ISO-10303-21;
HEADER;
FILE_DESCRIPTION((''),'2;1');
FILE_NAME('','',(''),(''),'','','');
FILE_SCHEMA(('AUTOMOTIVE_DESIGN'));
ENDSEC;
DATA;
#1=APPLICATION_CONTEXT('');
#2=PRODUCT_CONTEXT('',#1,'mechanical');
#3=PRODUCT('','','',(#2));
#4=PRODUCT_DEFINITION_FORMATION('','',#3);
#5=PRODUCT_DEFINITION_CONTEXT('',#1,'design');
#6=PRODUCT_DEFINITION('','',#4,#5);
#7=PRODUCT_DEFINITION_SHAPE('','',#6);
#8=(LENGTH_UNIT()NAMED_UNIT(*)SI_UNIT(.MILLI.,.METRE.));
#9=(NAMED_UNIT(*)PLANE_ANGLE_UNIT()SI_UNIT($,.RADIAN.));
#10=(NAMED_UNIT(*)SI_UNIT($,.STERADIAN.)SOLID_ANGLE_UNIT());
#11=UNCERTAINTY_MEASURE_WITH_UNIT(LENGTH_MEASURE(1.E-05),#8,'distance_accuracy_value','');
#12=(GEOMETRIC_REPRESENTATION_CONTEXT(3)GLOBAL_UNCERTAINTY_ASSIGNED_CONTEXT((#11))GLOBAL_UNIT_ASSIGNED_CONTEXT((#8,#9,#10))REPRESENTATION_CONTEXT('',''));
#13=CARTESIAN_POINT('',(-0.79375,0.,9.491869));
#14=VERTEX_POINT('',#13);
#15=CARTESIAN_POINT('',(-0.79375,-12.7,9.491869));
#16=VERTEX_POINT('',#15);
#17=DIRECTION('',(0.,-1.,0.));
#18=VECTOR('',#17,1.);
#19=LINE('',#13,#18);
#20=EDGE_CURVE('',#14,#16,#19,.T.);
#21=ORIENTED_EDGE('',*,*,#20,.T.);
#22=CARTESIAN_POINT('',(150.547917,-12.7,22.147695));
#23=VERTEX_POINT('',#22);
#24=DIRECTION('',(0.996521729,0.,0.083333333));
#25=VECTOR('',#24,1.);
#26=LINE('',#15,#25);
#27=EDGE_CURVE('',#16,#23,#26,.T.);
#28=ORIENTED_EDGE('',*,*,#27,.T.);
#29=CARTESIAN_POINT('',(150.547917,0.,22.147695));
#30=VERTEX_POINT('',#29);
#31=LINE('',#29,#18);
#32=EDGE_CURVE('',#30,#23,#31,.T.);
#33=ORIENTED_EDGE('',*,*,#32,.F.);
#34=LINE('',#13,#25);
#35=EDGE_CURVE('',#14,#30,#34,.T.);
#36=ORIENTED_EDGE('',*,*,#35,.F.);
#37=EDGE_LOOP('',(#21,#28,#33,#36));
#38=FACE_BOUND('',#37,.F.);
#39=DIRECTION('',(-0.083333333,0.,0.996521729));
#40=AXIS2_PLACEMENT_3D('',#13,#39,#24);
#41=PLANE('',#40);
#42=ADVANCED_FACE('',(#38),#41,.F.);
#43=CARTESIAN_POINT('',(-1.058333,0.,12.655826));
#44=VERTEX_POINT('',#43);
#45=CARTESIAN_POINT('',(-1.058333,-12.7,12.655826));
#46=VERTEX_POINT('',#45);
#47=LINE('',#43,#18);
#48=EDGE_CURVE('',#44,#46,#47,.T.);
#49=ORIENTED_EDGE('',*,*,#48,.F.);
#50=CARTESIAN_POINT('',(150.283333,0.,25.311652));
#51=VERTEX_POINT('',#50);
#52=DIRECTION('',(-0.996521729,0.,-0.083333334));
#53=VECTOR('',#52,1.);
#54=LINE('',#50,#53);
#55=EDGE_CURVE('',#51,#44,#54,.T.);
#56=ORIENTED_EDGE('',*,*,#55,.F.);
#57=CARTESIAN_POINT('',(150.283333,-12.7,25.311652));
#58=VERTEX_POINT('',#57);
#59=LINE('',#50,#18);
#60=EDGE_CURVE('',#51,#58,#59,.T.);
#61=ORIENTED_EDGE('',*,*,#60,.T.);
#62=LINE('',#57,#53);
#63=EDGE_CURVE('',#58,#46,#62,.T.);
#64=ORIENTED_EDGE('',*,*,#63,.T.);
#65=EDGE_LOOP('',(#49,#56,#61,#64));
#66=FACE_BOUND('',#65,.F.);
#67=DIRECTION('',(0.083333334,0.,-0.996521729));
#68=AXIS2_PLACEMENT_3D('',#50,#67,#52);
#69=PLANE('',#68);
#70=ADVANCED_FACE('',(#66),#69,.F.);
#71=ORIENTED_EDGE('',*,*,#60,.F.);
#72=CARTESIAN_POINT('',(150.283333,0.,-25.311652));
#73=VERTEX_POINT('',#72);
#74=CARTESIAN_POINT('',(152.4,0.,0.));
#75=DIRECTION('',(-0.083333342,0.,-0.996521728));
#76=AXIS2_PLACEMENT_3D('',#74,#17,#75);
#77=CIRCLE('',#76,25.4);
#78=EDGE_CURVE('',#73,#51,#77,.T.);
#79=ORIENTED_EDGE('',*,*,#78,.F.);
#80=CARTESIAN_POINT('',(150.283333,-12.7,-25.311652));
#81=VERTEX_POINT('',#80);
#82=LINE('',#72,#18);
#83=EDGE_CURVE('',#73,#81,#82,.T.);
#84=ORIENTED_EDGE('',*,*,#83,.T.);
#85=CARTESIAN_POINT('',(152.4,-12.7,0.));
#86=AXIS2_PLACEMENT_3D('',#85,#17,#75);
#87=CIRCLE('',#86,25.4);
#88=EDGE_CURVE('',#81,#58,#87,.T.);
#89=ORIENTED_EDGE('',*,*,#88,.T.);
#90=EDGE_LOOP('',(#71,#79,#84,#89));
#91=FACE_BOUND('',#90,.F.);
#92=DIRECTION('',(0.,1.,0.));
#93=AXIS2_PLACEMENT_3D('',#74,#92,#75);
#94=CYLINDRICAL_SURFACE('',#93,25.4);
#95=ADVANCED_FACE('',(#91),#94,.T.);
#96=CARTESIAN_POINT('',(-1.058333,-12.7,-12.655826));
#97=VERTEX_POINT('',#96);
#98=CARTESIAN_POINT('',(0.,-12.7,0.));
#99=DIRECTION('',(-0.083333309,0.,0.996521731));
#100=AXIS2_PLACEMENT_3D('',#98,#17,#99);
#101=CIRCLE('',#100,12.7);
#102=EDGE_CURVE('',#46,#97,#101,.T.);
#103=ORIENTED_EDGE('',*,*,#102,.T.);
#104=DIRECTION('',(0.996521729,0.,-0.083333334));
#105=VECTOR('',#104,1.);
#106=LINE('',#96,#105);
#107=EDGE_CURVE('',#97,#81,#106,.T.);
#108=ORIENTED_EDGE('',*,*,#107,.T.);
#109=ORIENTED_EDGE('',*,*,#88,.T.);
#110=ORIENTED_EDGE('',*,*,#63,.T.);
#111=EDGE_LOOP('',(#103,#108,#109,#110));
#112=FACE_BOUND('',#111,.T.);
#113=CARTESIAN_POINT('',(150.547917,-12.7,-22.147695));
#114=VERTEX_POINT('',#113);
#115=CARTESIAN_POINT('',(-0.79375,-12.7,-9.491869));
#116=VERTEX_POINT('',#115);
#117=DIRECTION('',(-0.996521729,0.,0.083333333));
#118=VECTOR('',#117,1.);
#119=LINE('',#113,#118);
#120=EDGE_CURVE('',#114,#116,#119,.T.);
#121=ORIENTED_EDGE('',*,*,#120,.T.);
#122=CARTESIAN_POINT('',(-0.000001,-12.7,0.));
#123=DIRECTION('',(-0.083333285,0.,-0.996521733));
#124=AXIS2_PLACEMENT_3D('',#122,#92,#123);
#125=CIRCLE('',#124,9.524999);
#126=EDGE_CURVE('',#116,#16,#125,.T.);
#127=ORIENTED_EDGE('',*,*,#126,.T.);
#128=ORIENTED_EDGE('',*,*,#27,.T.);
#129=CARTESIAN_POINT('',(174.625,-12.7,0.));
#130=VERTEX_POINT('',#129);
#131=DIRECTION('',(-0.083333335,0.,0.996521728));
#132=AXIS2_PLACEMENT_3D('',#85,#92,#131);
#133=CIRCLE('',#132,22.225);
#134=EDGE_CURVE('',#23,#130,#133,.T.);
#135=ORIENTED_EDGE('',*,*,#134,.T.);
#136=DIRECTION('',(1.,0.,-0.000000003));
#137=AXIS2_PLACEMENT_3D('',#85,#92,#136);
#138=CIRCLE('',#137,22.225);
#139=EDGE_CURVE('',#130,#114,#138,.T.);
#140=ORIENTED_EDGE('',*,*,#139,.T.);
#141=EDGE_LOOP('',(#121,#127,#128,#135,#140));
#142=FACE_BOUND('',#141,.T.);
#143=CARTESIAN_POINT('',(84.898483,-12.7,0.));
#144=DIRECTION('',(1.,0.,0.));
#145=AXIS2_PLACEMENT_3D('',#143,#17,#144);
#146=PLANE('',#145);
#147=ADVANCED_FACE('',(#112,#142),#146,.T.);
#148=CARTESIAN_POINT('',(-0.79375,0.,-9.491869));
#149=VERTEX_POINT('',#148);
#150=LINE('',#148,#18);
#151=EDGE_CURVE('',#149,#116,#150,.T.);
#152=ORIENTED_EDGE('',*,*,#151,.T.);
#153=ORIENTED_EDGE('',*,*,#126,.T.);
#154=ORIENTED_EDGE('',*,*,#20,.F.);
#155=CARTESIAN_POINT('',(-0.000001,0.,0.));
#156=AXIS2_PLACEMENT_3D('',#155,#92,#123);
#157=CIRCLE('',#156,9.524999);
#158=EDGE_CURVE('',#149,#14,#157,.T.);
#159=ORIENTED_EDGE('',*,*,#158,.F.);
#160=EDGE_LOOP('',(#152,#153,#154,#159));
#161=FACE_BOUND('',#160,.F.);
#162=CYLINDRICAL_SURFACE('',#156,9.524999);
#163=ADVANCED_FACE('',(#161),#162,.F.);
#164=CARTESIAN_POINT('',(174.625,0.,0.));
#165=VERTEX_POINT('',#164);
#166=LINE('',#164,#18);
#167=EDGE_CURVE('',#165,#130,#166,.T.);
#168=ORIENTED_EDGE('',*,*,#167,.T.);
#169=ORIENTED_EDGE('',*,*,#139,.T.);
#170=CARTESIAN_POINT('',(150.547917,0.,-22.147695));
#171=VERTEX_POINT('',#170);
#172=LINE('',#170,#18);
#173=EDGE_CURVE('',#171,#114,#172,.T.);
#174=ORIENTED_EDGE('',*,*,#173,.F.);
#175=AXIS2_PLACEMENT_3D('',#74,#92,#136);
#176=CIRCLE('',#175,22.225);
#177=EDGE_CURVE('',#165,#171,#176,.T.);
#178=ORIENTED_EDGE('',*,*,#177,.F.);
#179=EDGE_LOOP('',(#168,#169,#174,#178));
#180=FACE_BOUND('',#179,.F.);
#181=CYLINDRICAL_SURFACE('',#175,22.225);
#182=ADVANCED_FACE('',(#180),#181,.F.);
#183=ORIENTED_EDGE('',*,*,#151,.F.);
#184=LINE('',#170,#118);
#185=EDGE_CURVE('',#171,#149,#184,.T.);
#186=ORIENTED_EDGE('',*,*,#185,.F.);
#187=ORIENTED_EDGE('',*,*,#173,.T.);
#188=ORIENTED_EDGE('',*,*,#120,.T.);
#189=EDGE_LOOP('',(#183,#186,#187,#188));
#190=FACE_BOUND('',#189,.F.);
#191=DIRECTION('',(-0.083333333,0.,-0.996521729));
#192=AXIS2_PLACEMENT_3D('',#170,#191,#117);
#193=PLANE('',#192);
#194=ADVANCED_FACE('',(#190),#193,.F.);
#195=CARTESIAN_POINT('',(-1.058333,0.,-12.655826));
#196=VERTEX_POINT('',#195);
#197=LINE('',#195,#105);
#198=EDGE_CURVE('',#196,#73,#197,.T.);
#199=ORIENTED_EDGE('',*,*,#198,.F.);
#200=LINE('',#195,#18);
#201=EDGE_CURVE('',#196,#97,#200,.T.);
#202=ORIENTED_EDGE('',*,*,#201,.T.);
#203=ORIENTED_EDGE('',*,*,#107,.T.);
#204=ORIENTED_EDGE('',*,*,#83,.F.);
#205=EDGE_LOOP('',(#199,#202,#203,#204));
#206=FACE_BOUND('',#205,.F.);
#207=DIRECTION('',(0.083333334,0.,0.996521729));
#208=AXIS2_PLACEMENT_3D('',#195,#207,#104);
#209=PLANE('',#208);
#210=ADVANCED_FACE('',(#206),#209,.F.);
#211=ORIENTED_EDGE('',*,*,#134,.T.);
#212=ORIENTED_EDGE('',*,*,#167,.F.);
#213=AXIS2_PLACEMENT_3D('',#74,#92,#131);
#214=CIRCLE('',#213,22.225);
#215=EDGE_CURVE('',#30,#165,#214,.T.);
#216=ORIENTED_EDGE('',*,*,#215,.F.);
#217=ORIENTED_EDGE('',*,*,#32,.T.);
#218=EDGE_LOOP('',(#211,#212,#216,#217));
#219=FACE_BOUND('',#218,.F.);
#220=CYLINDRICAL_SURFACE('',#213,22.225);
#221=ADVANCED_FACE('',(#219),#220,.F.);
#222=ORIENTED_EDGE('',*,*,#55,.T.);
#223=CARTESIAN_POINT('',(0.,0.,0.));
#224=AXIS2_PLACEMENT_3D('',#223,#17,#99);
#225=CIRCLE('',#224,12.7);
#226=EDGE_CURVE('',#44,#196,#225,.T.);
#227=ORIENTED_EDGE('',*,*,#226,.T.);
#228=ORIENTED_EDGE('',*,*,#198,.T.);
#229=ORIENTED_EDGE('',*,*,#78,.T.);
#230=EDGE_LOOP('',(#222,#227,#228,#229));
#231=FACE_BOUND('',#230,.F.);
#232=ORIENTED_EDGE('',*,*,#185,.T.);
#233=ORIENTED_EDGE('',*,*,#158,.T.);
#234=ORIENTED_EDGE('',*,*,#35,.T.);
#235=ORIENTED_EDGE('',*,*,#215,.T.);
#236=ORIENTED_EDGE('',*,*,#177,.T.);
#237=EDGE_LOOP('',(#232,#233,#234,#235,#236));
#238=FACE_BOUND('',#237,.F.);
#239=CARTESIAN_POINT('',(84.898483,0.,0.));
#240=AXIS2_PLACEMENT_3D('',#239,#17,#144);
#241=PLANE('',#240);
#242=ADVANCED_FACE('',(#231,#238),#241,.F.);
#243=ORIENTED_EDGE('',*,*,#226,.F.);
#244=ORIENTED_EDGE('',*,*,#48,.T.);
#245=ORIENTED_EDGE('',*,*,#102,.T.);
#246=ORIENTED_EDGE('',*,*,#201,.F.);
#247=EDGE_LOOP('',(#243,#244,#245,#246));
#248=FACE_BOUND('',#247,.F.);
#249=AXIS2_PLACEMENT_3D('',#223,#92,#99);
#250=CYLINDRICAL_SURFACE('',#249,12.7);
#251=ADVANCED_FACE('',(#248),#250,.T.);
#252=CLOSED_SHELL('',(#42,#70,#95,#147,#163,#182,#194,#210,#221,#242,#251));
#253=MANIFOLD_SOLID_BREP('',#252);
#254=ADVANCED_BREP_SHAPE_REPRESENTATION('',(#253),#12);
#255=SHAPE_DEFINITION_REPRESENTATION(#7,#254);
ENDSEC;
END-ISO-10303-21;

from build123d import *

# Parameters (mm, degrees)
F1_DEPTH = 12.7


with BuildPart() as f1:
    # F0 (on Front) → F1 (new body)
    with BuildSketch(Plane.XZ):
        with BuildLine():
            Line((150.283333, 25.311652), (-1.058333, 12.655826))
            ThreePointArc((-1.058333, 12.655826), (-12.7, 0), (-1.058333, -12.655826))
            Line((-1.058333, -12.655826), (150.283333, -25.311652))
            ThreePointArc((150.283333, -25.311652), (177.8, 0), (150.283333, 25.311652))
        make_face()
        with BuildLine():
            ThreePointArc((-0.79375, -9.491869), (-9.525, 0), (-0.79375, 9.491869))
            Line((-0.79375, 9.491869), (150.547917, 22.147695))
            ThreePointArc((150.547917, 22.147695), (167.446396, 16.357157), (174.625, 0))
            ThreePointArc((174.625, 0), (167.446396, -16.357157), (150.547917, -22.147695))
            Line((150.547917, -22.147695), (-0.79375, -9.491869))
        make_face(mode=Mode.SUBTRACT)
    extrude(amount=F1_DEPTH)


solid = f1.part
